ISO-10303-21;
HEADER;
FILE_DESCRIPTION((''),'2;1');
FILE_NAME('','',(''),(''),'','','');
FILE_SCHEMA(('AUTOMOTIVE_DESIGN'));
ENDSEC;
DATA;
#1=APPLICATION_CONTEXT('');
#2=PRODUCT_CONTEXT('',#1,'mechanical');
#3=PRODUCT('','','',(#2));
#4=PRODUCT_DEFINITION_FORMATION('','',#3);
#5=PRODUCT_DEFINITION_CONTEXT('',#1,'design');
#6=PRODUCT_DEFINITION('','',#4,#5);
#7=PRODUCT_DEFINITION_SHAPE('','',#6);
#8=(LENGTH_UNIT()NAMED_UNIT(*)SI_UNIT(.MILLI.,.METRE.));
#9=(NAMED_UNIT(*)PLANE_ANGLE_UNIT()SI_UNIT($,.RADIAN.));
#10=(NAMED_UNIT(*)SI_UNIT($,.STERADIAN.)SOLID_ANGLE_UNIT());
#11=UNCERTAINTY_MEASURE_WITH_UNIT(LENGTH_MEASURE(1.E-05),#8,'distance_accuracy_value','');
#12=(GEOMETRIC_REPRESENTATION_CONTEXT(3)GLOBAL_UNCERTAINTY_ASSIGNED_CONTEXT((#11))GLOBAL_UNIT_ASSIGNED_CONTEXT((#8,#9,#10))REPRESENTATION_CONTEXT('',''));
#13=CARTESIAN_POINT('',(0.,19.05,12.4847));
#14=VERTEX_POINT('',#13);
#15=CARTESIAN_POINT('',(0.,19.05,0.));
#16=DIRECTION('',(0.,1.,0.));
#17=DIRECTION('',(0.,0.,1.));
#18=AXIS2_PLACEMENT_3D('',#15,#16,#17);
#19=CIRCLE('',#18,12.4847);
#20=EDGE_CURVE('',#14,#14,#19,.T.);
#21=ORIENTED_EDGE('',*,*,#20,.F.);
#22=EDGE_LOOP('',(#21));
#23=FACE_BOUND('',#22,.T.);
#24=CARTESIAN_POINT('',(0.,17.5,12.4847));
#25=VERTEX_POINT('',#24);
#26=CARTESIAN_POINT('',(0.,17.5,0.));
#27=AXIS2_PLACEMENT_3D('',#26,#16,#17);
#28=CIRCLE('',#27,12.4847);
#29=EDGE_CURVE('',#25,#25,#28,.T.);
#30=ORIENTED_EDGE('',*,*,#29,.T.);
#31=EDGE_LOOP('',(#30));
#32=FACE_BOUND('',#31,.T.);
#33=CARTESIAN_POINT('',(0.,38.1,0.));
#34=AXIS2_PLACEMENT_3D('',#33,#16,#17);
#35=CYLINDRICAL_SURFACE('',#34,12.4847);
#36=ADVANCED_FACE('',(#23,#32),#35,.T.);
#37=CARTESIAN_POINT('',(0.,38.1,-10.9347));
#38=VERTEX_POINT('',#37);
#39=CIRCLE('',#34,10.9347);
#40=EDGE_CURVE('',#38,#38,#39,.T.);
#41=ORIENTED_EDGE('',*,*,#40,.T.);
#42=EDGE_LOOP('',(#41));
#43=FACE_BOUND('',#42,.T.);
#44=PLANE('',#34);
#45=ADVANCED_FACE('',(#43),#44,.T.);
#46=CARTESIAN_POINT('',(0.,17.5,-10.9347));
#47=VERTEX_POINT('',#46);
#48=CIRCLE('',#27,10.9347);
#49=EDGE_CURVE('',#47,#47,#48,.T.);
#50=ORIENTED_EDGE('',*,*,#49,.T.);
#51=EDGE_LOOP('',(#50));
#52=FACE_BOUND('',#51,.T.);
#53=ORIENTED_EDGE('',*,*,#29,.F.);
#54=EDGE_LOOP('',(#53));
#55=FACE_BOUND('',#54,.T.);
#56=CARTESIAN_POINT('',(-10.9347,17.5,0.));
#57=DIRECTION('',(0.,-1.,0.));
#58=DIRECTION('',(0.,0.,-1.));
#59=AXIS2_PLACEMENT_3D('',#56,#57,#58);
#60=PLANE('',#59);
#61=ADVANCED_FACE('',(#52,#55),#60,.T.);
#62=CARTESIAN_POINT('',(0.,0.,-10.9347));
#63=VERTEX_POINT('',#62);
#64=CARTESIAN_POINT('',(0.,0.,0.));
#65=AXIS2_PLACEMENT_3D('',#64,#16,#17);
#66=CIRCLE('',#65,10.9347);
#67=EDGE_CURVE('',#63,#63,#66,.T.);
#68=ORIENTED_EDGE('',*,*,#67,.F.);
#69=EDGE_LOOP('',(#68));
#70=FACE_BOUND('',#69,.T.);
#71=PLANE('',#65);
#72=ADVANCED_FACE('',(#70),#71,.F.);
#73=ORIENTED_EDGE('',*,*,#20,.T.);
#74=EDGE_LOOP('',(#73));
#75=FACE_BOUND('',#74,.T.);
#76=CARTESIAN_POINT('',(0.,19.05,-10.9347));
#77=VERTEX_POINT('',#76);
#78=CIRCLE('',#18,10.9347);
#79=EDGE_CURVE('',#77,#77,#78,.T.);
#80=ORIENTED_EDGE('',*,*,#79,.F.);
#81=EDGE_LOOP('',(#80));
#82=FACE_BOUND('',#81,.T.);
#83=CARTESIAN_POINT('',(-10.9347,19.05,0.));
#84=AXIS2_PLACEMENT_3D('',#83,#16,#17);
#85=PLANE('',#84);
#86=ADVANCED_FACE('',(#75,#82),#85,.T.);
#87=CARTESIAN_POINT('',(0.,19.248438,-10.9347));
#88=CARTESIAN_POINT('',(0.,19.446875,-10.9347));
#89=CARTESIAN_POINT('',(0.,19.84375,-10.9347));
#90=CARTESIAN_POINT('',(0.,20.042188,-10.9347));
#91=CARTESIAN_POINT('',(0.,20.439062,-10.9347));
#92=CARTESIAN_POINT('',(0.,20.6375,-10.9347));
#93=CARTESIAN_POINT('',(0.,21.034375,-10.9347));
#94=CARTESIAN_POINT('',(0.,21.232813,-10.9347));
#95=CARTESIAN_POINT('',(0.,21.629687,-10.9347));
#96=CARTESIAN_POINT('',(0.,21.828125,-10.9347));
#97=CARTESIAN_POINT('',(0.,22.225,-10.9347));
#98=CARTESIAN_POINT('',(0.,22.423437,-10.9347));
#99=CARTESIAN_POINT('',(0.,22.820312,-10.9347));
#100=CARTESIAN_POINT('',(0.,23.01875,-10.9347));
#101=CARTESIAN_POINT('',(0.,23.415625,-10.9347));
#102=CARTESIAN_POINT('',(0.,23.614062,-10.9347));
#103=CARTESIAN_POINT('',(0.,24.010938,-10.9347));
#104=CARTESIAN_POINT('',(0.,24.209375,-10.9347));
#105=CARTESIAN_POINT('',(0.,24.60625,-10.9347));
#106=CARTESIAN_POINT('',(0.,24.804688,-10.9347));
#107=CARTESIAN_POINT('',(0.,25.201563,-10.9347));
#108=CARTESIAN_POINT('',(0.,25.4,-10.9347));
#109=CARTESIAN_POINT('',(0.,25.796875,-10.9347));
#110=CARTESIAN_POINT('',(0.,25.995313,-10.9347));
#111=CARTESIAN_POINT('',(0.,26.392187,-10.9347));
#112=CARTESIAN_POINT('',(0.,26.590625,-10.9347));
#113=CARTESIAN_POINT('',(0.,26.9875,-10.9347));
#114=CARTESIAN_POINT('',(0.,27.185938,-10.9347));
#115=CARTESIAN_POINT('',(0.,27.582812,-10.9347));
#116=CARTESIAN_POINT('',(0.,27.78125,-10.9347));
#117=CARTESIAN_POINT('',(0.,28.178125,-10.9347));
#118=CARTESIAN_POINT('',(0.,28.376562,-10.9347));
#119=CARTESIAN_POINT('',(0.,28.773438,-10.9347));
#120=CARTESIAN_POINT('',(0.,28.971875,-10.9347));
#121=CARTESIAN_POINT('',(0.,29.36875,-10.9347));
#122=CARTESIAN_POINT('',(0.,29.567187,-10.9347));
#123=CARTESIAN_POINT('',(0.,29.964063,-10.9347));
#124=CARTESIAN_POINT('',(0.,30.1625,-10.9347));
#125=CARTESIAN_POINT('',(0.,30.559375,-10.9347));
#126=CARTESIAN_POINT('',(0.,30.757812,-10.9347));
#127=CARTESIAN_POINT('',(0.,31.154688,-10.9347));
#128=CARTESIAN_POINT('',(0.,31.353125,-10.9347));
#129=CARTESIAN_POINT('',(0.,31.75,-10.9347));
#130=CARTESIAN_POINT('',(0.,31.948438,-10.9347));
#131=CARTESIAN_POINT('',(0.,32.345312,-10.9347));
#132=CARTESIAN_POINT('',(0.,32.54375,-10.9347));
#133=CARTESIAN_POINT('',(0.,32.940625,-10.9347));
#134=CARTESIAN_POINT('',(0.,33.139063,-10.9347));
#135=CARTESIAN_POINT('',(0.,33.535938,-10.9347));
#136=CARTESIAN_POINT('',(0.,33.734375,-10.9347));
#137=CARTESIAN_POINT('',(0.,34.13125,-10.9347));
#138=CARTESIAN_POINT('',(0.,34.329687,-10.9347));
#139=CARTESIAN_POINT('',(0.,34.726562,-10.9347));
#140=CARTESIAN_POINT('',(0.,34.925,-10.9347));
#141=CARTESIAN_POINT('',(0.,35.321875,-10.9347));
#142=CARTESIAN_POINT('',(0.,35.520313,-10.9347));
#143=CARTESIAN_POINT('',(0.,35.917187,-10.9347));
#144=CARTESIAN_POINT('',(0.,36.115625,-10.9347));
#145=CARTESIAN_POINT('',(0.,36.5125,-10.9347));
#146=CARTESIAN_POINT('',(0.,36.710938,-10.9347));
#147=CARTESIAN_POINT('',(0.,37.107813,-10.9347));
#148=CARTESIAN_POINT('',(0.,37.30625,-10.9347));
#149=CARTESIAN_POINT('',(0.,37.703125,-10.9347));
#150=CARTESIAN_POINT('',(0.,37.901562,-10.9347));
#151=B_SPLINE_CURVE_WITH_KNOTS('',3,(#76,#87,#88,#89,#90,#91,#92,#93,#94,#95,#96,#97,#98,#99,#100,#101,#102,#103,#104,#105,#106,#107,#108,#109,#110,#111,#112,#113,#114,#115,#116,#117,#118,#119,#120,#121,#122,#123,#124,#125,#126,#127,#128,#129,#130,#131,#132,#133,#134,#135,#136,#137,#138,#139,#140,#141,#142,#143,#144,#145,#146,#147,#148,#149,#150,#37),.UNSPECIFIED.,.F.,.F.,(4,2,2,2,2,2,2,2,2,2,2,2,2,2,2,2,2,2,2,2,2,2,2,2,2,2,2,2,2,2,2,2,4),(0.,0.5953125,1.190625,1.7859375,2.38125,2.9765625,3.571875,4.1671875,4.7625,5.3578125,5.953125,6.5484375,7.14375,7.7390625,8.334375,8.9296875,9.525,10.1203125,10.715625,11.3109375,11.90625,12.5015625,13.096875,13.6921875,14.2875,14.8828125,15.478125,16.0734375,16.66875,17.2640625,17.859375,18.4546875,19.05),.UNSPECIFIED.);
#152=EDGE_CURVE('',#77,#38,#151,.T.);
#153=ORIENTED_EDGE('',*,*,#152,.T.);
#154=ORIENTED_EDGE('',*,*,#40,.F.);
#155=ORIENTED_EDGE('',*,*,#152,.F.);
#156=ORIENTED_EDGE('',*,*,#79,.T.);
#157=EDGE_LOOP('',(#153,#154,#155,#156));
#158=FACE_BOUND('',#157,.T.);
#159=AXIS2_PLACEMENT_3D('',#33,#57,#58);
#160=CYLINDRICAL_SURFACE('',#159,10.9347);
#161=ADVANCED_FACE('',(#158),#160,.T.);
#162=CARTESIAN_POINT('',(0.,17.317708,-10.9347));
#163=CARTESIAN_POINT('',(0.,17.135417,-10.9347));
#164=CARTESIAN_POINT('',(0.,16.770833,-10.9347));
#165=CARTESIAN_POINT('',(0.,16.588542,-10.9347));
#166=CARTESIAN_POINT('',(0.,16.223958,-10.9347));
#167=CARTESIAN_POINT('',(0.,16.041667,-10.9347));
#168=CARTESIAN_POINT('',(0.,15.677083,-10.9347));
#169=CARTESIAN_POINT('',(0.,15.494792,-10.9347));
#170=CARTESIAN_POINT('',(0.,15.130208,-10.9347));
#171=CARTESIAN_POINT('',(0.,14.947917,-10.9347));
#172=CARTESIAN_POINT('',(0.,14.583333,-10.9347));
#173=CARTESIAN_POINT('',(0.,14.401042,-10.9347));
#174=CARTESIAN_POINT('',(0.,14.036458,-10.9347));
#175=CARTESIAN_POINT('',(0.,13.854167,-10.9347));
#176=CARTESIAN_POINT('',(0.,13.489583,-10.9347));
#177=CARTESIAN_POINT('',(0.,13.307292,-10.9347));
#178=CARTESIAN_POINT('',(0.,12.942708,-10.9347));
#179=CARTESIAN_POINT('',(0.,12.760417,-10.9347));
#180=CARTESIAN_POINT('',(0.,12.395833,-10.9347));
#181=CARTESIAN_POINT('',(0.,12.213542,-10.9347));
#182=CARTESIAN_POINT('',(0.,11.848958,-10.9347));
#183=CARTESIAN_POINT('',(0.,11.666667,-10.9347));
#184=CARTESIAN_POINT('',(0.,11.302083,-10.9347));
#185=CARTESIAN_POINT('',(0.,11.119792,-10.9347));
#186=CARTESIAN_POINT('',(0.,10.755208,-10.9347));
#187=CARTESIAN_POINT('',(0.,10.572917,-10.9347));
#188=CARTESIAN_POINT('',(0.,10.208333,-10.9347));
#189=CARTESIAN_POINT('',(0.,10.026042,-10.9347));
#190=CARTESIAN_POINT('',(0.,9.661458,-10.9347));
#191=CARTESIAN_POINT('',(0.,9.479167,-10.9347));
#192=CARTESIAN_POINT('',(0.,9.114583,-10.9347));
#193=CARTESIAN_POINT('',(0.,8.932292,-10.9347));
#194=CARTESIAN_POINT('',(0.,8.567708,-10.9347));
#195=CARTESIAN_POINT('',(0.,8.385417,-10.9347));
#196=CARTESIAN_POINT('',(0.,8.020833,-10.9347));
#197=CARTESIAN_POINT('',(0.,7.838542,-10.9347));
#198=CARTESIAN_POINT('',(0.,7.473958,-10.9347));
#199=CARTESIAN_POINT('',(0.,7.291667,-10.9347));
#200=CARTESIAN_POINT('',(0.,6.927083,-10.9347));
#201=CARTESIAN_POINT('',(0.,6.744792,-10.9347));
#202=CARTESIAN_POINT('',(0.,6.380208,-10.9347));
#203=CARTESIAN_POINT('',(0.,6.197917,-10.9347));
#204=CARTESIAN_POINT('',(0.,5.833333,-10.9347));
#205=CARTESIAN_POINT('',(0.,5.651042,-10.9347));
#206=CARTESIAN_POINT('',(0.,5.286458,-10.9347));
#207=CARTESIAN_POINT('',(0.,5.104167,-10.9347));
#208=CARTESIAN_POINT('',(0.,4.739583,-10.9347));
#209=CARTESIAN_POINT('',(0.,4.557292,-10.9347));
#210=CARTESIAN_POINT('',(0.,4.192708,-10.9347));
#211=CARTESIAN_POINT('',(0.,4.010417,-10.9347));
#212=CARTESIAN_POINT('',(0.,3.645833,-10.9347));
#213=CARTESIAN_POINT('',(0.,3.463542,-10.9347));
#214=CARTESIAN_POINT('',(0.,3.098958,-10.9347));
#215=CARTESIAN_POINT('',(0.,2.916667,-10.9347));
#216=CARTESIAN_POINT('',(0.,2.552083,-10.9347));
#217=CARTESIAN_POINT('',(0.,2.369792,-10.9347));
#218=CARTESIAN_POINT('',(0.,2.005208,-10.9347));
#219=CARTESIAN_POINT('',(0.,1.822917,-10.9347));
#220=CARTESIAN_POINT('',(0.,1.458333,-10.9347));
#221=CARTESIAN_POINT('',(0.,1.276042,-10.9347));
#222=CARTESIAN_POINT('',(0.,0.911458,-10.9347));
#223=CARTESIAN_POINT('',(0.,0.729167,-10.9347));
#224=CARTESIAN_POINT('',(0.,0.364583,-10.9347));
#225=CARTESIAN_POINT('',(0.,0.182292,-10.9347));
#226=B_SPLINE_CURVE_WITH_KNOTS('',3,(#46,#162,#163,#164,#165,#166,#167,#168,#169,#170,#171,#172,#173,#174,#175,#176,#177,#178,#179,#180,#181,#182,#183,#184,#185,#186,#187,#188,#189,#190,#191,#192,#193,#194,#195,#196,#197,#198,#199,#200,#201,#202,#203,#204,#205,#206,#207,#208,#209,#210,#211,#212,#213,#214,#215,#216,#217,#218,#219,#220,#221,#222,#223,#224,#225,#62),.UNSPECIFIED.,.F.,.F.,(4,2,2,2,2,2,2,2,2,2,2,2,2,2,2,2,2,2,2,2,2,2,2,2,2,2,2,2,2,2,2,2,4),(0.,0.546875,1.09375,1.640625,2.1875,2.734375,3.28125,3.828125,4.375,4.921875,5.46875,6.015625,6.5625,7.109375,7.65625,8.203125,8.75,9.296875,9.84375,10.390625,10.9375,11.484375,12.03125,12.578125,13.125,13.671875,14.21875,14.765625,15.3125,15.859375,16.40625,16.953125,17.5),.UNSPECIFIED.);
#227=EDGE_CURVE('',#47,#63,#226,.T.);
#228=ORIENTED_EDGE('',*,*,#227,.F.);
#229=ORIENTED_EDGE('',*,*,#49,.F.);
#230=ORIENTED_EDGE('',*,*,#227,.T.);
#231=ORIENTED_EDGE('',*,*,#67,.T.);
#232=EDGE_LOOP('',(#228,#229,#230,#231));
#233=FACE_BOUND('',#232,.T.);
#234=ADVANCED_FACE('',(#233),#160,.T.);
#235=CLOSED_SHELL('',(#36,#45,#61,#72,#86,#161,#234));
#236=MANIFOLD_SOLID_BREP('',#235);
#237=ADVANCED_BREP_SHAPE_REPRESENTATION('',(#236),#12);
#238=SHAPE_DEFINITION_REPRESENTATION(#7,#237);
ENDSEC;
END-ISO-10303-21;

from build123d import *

# Parameters (mm, degrees)
SKETCH1_R           = 10.9347
BOSS_EXTRUDE1_DEPTH = 38.1
SKETCH5_W           = 1.55
SKETCH5_H           = 1.55


with BuildPart() as part:
    # Sketch1 → Boss-Extrude1 (new body)
    with BuildSketch(Plane(origin=(0, 0, 0), x_dir=(1, 0, 0), z_dir=(0, 1, 0))):
        with Locations(Location((0, 0, 0), (0, 0, 90))):
            Circle(SKETCH1_R)
    extrude(amount=BOSS_EXTRUDE1_DEPTH)

    # Sketch5 → Revolve1 (revolve)
    with BuildSketch(Plane.XY, mode=Mode.PRIVATE) as revolve1_sk:
        with Locations((-11.7097, 18.275)):
            Rectangle(SKETCH5_W, SKETCH5_H)
    revolve(revolve1_sk.sketch.rotate(Axis((0, 38.1, 0), (0, -1, 0)), 90), axis=Axis((0, 38.1, 0), (0, -1, 0)))


solid = part.part
